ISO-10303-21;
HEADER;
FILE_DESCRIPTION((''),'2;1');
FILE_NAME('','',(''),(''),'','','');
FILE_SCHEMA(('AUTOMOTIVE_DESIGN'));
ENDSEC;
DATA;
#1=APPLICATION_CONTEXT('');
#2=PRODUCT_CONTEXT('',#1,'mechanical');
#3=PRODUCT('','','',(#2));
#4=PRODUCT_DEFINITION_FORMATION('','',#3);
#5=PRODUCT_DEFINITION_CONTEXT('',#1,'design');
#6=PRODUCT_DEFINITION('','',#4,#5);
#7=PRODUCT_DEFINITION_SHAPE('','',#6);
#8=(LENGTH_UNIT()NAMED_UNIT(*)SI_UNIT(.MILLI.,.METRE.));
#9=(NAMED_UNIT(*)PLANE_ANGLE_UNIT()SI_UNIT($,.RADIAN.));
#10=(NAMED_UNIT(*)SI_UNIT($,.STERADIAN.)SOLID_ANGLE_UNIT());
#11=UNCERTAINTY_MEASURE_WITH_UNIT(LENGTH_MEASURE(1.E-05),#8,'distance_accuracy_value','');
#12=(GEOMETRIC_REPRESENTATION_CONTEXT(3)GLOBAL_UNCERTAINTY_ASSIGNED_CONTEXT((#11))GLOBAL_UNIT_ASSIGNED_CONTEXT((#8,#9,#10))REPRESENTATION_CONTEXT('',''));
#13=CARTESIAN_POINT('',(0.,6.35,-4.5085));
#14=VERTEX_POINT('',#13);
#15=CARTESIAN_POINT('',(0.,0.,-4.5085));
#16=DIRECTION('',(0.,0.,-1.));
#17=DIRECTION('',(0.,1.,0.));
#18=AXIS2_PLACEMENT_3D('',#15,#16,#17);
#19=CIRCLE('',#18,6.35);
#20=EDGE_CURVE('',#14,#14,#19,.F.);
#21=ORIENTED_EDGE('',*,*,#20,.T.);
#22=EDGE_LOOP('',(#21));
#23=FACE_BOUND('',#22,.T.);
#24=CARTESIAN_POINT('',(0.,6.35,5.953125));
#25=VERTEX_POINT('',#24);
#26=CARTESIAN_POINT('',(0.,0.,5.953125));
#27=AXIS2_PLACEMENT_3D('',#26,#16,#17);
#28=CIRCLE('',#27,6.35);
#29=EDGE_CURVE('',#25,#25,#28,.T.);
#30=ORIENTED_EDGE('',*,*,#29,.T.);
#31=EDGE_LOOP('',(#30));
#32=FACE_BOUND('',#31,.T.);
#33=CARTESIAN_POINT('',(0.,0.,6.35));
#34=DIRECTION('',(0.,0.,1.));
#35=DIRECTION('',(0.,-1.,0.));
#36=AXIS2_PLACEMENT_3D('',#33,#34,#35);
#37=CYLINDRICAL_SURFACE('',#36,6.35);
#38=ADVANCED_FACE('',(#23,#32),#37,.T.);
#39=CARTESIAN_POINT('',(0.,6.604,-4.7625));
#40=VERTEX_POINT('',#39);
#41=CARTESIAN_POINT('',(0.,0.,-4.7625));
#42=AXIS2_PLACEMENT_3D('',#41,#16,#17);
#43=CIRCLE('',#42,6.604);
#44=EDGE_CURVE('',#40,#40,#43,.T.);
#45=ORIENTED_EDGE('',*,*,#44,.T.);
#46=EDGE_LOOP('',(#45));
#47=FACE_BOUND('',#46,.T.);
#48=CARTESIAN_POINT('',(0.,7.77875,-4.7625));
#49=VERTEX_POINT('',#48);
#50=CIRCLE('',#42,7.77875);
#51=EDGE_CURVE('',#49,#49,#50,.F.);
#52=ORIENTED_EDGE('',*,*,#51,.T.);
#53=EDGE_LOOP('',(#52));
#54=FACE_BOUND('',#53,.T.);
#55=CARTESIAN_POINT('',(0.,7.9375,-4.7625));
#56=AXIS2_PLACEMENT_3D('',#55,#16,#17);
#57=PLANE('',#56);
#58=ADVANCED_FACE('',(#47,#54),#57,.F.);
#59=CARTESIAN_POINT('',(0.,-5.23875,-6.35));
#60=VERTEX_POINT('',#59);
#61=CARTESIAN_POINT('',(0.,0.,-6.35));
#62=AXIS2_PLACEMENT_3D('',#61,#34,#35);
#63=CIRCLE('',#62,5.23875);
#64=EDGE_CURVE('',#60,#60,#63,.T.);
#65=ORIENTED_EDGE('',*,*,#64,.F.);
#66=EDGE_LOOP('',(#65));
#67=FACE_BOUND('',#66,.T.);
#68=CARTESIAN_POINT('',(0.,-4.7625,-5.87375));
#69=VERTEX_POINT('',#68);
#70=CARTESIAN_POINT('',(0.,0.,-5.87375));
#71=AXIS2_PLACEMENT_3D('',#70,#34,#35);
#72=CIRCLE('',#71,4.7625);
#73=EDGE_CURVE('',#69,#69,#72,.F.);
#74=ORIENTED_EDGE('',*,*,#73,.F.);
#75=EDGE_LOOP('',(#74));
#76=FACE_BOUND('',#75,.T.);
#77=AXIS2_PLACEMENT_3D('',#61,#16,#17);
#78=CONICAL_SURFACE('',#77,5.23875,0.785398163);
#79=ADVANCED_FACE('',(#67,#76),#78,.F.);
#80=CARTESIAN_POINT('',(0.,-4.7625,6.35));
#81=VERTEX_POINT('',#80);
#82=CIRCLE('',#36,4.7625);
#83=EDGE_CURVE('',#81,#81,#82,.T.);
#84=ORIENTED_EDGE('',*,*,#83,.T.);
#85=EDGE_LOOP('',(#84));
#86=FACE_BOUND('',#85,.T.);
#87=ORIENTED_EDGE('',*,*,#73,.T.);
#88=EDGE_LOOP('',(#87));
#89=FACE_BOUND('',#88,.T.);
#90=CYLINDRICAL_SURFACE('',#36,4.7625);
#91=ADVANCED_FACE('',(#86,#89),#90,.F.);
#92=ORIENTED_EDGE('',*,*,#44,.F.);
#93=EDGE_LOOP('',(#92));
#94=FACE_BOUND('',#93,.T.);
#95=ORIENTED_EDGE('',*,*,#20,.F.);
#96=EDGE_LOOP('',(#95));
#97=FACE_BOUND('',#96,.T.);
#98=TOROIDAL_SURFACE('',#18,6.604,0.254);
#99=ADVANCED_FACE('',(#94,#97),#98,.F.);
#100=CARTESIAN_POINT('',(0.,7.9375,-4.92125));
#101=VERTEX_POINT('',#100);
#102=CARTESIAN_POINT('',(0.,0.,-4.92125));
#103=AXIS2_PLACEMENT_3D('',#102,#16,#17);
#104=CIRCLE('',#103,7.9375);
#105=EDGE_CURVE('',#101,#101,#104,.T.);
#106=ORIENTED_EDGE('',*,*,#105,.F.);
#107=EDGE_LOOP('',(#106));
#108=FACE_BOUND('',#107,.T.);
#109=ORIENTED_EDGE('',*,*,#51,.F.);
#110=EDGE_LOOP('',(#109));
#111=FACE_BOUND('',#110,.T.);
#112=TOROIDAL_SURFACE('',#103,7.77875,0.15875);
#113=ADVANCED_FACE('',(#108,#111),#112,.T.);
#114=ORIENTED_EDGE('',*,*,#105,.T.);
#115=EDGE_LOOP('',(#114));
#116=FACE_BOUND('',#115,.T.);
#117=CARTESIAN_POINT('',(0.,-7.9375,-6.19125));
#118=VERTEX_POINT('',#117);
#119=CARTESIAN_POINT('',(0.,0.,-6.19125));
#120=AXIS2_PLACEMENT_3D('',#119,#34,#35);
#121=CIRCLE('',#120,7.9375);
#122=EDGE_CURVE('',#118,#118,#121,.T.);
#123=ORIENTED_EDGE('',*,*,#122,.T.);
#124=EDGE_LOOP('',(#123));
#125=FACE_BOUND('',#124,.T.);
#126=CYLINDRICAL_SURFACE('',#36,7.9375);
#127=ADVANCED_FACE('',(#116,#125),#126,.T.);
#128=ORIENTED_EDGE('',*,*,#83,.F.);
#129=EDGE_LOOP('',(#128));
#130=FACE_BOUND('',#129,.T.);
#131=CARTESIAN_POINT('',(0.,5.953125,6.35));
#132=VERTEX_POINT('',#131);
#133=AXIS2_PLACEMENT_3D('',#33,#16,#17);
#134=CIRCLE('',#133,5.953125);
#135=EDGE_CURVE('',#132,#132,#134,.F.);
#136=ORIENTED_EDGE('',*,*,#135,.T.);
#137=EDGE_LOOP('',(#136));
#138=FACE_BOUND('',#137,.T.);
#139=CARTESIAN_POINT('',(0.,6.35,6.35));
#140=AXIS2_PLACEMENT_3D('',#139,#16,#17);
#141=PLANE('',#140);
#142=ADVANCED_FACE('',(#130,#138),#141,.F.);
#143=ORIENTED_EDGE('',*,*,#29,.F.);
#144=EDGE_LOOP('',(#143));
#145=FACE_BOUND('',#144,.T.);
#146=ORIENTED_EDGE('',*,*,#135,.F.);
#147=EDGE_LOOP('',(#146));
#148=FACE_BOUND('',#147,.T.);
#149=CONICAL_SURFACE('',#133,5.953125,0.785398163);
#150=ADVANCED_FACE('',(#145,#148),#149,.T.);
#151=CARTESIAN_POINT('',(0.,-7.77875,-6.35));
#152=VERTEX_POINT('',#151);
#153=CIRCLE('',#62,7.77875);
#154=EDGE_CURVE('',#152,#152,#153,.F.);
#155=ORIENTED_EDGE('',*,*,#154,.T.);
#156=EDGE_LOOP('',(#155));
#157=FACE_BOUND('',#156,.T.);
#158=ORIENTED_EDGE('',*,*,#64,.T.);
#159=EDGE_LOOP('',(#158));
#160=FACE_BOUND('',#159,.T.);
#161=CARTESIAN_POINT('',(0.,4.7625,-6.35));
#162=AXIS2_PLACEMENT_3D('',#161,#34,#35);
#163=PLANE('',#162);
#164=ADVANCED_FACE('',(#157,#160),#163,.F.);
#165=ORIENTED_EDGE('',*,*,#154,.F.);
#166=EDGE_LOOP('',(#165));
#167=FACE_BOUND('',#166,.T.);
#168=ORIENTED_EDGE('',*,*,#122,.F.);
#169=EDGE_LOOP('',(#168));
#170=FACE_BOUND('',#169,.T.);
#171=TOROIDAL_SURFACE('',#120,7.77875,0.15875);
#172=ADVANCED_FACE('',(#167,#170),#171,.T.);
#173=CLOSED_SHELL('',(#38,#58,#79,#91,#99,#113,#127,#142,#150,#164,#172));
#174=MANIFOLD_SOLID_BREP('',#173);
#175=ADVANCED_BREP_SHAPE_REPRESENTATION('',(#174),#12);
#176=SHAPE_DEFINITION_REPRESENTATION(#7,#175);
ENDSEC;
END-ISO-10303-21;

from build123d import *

# Parameters (mm, degrees)
CHAMFER1_SIZE = 0.396875
FILLET1_R     = 0.254
FILLET2_R     = 0.15875
CHAMFER2_SIZE = 0.47625


with BuildPart() as part:
    # Sketch3 → Revolve1 (revolve)
    with BuildSketch(Plane(origin=(0, 0, 0), x_dir=(0, 0, -1), z_dir=(1, 0, 0)), mode=Mode.PRIVATE) as revolve1_sk:
        Polygon((-6.35, 4.7625), (6.35, 4.7625), (6.35, 7.9375), (4.7625, 7.9375), (4.7625, 6.35), (-6.35, 6.35), align=None)
    revolve(revolve1_sk.sketch.rotate(Axis((0, 0, 6.35), (0, 0, -1)), 180), axis=Axis((0, 0, 6.35), (0, 0, -1)))

    # Chamfer1
    chamfer1_edges = [part.edges().sort_by_distance(p)[0] for p in [
        (0, 6.35, 6.35),
    ]]
    chamfer(chamfer1_edges, length=CHAMFER1_SIZE)

    # Fillet1
    fillet1_edges = [part.edges().sort_by_distance(p)[0] for p in [
        (0, 6.35, -4.7625),
    ]]
    fillet(fillet1_edges, radius=FILLET1_R)

    # Fillet2
    fillet2_edges = [part.edges().sort_by_distance(p)[0] for p in [
        (0, 7.9375, -4.7625),
        (0, 7.9375, -6.35),
    ]]
    fillet(fillet2_edges, radius=FILLET2_R)

    # Chamfer2
    chamfer2_edges = [part.edges().sort_by_distance(p)[0] for p in [
        (0, 4.7625, -6.35),
    ]]
    chamfer(chamfer2_edges, length=CHAMFER2_SIZE)


solid = part.part
